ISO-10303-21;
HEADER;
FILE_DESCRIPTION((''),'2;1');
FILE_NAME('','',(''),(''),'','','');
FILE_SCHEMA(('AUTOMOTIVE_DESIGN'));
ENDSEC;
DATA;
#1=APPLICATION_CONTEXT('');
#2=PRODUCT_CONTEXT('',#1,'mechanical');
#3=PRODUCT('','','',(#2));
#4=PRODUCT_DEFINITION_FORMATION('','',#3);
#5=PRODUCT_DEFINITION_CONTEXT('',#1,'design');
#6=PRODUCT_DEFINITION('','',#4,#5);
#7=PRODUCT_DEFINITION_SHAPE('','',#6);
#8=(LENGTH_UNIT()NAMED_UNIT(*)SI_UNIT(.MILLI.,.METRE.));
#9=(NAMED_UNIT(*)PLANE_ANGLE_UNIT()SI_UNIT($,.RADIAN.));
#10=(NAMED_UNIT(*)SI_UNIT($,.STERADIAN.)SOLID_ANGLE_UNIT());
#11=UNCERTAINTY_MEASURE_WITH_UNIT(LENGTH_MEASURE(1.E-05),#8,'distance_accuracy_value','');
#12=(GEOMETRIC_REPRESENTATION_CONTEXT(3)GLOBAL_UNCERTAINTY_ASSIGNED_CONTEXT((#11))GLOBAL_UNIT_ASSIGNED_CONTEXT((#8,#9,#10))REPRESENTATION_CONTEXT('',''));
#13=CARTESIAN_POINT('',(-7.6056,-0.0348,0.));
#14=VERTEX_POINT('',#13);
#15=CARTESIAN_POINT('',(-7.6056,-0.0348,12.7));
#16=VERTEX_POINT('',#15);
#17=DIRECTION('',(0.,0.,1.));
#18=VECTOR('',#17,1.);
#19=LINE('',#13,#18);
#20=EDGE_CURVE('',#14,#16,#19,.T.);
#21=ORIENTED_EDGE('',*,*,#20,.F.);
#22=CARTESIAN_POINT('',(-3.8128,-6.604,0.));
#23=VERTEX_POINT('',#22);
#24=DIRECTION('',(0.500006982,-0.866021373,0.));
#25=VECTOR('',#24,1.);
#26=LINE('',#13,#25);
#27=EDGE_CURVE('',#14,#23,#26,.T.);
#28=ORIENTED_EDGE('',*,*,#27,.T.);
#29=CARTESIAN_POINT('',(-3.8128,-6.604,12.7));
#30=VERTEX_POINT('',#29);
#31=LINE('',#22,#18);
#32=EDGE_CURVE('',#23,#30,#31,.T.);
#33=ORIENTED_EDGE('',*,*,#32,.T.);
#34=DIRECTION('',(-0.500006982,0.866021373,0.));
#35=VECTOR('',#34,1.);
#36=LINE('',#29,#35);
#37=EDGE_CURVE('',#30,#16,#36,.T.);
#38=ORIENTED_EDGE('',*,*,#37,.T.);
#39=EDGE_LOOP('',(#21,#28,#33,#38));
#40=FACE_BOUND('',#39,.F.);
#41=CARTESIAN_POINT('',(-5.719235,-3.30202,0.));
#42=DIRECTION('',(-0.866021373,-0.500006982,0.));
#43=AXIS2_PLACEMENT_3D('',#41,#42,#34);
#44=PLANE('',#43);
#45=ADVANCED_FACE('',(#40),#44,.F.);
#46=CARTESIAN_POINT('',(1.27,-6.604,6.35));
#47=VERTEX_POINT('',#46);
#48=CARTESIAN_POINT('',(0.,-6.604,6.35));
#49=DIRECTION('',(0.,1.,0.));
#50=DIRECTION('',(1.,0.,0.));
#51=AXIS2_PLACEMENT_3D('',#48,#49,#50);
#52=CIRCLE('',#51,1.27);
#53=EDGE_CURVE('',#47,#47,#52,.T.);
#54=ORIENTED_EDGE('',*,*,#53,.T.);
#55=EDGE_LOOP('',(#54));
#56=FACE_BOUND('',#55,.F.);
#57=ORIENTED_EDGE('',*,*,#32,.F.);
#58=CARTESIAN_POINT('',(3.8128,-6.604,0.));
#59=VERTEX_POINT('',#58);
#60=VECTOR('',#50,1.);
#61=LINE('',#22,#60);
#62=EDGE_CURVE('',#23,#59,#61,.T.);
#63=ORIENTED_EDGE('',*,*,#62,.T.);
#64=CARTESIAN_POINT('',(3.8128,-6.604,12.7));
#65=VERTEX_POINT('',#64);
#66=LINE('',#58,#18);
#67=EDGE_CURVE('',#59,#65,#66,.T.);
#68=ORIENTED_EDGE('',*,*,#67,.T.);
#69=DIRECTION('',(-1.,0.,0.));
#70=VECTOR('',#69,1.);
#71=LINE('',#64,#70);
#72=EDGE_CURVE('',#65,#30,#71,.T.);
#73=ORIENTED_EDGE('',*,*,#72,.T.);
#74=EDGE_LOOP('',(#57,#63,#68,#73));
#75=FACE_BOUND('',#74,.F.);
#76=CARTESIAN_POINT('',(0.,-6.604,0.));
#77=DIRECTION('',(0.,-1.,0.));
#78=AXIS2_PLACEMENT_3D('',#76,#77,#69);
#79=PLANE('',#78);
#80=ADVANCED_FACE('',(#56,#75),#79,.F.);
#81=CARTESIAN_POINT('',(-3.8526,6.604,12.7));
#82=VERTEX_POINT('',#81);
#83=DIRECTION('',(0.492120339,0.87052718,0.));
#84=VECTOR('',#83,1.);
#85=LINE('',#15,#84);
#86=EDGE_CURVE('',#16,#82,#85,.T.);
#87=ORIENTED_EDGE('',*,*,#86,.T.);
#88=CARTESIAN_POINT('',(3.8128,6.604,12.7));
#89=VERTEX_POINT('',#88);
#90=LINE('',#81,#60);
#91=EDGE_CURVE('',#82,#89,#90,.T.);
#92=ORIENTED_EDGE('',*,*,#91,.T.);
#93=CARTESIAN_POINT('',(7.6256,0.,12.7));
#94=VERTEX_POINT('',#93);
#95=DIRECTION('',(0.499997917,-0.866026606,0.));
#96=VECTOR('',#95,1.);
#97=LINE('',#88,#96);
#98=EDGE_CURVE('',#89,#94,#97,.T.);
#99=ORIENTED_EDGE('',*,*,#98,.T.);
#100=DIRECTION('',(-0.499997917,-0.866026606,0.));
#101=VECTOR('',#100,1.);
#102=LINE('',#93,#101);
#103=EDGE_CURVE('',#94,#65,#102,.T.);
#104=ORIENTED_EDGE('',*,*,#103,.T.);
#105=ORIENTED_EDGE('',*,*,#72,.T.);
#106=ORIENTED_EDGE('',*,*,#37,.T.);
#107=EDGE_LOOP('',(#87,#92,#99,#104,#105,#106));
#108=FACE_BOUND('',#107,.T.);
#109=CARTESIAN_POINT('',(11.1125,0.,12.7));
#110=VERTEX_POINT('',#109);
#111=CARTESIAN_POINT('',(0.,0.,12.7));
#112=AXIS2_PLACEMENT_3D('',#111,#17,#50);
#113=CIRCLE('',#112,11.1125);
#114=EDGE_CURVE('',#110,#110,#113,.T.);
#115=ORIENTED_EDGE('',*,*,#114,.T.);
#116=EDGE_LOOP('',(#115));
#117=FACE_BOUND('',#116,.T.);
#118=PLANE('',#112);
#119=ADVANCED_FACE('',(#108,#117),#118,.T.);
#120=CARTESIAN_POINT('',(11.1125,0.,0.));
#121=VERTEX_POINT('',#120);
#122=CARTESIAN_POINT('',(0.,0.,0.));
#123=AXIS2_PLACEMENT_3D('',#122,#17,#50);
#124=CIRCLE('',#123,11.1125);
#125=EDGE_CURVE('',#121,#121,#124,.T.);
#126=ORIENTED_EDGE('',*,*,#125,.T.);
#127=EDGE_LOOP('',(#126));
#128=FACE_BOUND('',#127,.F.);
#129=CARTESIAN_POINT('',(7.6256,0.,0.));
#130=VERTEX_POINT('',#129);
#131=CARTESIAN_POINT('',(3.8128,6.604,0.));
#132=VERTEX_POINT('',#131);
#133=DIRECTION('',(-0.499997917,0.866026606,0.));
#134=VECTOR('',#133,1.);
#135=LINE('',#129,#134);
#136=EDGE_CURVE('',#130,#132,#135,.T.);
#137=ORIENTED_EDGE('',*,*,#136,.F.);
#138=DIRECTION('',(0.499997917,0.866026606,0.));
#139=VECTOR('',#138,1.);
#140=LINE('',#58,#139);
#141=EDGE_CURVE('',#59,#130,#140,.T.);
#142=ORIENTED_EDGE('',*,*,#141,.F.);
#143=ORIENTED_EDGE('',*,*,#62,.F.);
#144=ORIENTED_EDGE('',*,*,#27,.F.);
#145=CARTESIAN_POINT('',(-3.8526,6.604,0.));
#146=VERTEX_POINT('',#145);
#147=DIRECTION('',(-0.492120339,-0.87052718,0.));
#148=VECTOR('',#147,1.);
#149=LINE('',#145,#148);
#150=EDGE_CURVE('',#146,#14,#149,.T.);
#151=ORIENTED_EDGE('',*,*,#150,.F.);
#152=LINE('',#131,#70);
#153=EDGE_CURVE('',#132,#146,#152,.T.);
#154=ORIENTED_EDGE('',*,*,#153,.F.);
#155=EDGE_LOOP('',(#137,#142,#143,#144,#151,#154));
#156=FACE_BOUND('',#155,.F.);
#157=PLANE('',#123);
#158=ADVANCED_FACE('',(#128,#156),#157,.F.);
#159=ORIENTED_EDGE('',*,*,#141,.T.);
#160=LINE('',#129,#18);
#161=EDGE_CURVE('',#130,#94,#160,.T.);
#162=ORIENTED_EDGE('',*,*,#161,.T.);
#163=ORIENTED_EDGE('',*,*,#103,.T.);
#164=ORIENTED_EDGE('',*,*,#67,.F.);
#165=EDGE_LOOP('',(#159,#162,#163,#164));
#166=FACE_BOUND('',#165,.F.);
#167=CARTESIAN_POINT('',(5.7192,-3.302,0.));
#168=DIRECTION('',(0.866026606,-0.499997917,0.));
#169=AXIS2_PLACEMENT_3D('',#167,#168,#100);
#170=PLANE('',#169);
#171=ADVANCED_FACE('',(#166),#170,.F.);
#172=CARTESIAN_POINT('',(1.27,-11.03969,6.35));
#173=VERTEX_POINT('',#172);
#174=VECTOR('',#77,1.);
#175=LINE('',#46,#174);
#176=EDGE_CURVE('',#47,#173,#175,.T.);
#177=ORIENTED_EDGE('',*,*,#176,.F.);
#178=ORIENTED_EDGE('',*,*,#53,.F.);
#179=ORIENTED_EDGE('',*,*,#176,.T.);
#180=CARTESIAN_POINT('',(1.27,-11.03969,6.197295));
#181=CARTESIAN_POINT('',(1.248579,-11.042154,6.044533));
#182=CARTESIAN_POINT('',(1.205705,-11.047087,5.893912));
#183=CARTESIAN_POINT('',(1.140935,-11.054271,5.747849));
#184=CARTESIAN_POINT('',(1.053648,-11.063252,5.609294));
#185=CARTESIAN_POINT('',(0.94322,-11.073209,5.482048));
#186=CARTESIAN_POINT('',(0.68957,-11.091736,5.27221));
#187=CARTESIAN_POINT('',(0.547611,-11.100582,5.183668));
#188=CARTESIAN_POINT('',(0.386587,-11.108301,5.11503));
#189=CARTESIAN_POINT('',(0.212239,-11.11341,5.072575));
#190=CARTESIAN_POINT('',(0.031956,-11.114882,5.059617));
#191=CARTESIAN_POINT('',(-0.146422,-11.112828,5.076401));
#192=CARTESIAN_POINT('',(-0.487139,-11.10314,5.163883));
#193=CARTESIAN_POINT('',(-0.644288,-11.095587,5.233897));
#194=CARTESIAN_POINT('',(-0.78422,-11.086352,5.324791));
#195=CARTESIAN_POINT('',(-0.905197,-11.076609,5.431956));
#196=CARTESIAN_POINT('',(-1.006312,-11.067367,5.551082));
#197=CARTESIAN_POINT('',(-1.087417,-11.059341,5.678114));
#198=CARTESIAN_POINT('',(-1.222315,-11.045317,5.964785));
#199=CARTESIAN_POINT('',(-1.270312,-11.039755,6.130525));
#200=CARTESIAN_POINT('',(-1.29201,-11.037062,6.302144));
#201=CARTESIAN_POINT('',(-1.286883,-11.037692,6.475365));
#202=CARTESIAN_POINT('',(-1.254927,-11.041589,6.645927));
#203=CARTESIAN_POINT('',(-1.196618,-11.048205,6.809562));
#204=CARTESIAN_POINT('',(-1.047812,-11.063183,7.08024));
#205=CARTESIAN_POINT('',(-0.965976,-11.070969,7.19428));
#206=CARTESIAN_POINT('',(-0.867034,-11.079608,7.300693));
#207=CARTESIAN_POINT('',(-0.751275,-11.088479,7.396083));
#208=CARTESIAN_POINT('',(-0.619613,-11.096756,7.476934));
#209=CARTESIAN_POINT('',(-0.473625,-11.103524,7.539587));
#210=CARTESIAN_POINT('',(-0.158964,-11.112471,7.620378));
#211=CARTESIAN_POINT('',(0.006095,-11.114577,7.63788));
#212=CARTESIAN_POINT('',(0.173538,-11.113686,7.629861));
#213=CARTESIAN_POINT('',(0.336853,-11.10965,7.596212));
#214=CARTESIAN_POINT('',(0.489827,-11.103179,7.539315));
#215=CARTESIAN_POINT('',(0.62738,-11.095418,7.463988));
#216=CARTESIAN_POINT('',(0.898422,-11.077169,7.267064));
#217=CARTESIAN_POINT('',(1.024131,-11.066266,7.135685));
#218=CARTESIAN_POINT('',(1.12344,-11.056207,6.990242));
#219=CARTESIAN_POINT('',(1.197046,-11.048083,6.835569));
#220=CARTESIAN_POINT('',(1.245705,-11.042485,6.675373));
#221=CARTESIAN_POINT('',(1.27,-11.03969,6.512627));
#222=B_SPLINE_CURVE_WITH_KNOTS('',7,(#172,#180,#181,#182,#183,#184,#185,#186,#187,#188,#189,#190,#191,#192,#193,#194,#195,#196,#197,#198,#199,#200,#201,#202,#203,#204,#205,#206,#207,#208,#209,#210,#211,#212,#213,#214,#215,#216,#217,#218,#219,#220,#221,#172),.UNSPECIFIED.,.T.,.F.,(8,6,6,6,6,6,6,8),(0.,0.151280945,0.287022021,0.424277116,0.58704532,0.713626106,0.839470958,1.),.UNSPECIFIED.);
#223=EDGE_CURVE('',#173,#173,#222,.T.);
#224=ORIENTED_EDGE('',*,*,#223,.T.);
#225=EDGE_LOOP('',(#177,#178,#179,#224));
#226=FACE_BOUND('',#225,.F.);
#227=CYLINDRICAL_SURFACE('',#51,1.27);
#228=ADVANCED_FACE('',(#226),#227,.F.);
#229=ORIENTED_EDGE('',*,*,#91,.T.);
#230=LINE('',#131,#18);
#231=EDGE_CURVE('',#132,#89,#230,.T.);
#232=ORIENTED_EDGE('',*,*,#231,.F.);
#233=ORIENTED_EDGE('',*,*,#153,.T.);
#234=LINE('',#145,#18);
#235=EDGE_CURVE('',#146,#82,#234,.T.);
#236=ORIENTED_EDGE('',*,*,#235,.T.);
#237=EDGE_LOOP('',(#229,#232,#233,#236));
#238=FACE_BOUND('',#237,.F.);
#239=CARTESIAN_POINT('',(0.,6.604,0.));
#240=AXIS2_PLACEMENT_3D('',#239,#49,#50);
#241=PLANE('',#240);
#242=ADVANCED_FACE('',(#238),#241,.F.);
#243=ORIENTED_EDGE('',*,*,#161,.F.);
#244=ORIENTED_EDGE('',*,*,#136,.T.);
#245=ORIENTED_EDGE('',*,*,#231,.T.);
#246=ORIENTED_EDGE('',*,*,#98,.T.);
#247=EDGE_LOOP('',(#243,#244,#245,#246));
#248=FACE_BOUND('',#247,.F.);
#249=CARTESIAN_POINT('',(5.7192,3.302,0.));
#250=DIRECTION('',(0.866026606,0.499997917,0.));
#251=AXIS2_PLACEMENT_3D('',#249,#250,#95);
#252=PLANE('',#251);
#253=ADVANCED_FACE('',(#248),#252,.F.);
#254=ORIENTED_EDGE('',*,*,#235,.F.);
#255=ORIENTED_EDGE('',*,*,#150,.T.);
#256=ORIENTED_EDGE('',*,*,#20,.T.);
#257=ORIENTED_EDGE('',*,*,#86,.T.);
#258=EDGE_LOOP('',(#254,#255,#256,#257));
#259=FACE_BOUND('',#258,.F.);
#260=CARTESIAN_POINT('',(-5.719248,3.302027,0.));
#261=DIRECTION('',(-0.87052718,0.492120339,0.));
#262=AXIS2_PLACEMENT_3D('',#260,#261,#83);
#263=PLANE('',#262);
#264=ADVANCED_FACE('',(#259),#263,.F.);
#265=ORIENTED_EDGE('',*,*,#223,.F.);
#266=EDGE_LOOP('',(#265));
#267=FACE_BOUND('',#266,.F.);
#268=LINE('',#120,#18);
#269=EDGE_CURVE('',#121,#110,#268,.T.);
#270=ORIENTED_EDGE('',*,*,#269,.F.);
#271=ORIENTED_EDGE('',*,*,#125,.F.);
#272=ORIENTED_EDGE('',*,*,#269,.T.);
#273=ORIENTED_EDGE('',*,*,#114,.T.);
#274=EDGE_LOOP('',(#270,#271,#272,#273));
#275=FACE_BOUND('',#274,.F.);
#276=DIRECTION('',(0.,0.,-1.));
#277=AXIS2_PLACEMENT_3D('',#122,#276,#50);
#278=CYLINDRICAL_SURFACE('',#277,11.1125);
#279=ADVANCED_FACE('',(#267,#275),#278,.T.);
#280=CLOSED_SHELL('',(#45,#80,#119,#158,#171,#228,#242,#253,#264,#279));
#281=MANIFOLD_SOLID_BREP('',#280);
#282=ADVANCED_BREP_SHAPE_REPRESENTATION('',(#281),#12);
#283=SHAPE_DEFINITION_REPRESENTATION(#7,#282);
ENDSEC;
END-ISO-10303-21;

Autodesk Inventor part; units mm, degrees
ref_plane "YZ Plane" through (0, 0, 0) normal (1, 0, 0) x (0, 1, 0)
ref_plane "XZ Plane" through (0, 0, 0) normal (0, 1, 0) x (-1, 0, 0)
ref_plane "XY Plane" through (0, 0, 0) normal (0, 0, 1) x (1, 0, 0)
sketch "Sketch1" plane through (0, 0, 0) normal (0, 0, 1) x (1, 0, 0)
  circle A0 centre (0, 0) radius 11.1125
  line L0 (0, 0) -> (7.6256, 0)
  line L1 (-3.8526, 6.604) -> (3.8128, 6.604)
  line L2 (3.8128, 6.604) -> (7.6256, 0)
  line L3 (7.6256, 0) -> (3.8128, -6.604)
  line L4 (3.8128, -6.604) -> (-3.8128, -6.604)
  line L5 (-3.8128, -6.604) -> (-7.6056, -0.0348)
  line L6 (-7.6056, -0.0348) -> (-3.8526, 6.604)
  line L7 (0, 0) -> (0, 6.604)
  line L8 (0, 0) -> (0, -6.604)
  line L9 (0, 0) -> (-5.7192, 3.302)
  line L10 (0, 0) -> (5.7192, -3.302)
  line L11 (0, 0) -> (5.7192, 3.302)
  line L12 (0, 0) -> (-5.7192, -3.302)
  line L13 (-7.2737, 0.1016) -> (-3.7248, 6.2484)
  line L14 (-3.5489, 6.35) -> (3.5489, 6.35)
  arc A1 (3.7248, 6.2484) -> (3.5489, 6.35) centre (3.5489, 6.1468) ccw
  line L15 (3.7248, 6.2484) -> (7.2737, 0.1016)
  arc A2 (-3.5489, 6.35) -> (-3.7248, 6.2484) centre (-3.5489, 6.1468) ccw
  arc A3 (-7.2737, 0.1016) -> (-7.2737, -0.1016) centre (-7.0977, 0) ccw
  line L16 (-3.7248, -6.2484) -> (-7.2737, -0.1016)
  line L17 (3.5489, -6.35) -> (-3.5489, -6.35)
  arc A4 (-3.7248, -6.2484) -> (-3.5489, -6.35) centre (-3.5489, -6.1468) ccw
  arc A5 (3.5489, -6.35) -> (3.7248, -6.2484) centre (3.5489, -6.1468) ccw
  line L18 (7.2737, -0.1016) -> (3.7248, -6.2484)
  arc A6 (7.2737, -0.1016) -> (7.2737, 0.1016) centre (7.0977, 0) ccw
  point P0 (0, 0)
  dimension "d0" = 22.225
  dimension "d19" = 6.604
  dimension "d20" = 6.604
  dimension "d21" = 6.604
  dimension "d22" = 6.604
  dimension "d23" = 60
  dimension "d24" = 60
  dimension "d25" = 6.604
  dimension "d26" = 6.604
  dimension "d27" = 60
  dimension "d28" = 60
  dimension "d30" = 13.208
extrude "Extrusion1" add sketch "Sketch1" along normal blind 12.7
sketch "Sketch3" plane through (-3.8128, -6.604, 0) normal (0, 1, 0) x (1, 0, 0)
  line L0 (11.4385, -12.7) -> (7.6256, -12.7) projected
  line L1 (7.6256, 0) -> (0, 0) projected
  line L2 (7.6256, -12.7) -> (0, 0)
  line L3 (7.6256, 0) -> (7.6256, -12.7) projected
  line L4 (0, 0) -> (7.6256, 0)
  line L5 (7.6256, 0) -> (7.6256, -12.7)
  line L6 (7.6256, -12.7) -> (0, -12.7) projected
  line L7 (7.6256, -12.7) -> (0, -12.7)
  line L8 (0, -12.7) -> (7.6256, 0)
  line L9 (0, 0) -> (0, -12.7)
  circle A0 centre (3.8128, -6.35) radius 1.27
  point P0 (3.8128, 0)
  dimension "d31" = 2.54
extrude "Extrusion2" cut sketch "Sketch3" against normal through all contours A0 L2 L8 | L8 L2 A0 | L2 L8 A0 | A0 L8 L2
properties part number "Churro Spacer"
